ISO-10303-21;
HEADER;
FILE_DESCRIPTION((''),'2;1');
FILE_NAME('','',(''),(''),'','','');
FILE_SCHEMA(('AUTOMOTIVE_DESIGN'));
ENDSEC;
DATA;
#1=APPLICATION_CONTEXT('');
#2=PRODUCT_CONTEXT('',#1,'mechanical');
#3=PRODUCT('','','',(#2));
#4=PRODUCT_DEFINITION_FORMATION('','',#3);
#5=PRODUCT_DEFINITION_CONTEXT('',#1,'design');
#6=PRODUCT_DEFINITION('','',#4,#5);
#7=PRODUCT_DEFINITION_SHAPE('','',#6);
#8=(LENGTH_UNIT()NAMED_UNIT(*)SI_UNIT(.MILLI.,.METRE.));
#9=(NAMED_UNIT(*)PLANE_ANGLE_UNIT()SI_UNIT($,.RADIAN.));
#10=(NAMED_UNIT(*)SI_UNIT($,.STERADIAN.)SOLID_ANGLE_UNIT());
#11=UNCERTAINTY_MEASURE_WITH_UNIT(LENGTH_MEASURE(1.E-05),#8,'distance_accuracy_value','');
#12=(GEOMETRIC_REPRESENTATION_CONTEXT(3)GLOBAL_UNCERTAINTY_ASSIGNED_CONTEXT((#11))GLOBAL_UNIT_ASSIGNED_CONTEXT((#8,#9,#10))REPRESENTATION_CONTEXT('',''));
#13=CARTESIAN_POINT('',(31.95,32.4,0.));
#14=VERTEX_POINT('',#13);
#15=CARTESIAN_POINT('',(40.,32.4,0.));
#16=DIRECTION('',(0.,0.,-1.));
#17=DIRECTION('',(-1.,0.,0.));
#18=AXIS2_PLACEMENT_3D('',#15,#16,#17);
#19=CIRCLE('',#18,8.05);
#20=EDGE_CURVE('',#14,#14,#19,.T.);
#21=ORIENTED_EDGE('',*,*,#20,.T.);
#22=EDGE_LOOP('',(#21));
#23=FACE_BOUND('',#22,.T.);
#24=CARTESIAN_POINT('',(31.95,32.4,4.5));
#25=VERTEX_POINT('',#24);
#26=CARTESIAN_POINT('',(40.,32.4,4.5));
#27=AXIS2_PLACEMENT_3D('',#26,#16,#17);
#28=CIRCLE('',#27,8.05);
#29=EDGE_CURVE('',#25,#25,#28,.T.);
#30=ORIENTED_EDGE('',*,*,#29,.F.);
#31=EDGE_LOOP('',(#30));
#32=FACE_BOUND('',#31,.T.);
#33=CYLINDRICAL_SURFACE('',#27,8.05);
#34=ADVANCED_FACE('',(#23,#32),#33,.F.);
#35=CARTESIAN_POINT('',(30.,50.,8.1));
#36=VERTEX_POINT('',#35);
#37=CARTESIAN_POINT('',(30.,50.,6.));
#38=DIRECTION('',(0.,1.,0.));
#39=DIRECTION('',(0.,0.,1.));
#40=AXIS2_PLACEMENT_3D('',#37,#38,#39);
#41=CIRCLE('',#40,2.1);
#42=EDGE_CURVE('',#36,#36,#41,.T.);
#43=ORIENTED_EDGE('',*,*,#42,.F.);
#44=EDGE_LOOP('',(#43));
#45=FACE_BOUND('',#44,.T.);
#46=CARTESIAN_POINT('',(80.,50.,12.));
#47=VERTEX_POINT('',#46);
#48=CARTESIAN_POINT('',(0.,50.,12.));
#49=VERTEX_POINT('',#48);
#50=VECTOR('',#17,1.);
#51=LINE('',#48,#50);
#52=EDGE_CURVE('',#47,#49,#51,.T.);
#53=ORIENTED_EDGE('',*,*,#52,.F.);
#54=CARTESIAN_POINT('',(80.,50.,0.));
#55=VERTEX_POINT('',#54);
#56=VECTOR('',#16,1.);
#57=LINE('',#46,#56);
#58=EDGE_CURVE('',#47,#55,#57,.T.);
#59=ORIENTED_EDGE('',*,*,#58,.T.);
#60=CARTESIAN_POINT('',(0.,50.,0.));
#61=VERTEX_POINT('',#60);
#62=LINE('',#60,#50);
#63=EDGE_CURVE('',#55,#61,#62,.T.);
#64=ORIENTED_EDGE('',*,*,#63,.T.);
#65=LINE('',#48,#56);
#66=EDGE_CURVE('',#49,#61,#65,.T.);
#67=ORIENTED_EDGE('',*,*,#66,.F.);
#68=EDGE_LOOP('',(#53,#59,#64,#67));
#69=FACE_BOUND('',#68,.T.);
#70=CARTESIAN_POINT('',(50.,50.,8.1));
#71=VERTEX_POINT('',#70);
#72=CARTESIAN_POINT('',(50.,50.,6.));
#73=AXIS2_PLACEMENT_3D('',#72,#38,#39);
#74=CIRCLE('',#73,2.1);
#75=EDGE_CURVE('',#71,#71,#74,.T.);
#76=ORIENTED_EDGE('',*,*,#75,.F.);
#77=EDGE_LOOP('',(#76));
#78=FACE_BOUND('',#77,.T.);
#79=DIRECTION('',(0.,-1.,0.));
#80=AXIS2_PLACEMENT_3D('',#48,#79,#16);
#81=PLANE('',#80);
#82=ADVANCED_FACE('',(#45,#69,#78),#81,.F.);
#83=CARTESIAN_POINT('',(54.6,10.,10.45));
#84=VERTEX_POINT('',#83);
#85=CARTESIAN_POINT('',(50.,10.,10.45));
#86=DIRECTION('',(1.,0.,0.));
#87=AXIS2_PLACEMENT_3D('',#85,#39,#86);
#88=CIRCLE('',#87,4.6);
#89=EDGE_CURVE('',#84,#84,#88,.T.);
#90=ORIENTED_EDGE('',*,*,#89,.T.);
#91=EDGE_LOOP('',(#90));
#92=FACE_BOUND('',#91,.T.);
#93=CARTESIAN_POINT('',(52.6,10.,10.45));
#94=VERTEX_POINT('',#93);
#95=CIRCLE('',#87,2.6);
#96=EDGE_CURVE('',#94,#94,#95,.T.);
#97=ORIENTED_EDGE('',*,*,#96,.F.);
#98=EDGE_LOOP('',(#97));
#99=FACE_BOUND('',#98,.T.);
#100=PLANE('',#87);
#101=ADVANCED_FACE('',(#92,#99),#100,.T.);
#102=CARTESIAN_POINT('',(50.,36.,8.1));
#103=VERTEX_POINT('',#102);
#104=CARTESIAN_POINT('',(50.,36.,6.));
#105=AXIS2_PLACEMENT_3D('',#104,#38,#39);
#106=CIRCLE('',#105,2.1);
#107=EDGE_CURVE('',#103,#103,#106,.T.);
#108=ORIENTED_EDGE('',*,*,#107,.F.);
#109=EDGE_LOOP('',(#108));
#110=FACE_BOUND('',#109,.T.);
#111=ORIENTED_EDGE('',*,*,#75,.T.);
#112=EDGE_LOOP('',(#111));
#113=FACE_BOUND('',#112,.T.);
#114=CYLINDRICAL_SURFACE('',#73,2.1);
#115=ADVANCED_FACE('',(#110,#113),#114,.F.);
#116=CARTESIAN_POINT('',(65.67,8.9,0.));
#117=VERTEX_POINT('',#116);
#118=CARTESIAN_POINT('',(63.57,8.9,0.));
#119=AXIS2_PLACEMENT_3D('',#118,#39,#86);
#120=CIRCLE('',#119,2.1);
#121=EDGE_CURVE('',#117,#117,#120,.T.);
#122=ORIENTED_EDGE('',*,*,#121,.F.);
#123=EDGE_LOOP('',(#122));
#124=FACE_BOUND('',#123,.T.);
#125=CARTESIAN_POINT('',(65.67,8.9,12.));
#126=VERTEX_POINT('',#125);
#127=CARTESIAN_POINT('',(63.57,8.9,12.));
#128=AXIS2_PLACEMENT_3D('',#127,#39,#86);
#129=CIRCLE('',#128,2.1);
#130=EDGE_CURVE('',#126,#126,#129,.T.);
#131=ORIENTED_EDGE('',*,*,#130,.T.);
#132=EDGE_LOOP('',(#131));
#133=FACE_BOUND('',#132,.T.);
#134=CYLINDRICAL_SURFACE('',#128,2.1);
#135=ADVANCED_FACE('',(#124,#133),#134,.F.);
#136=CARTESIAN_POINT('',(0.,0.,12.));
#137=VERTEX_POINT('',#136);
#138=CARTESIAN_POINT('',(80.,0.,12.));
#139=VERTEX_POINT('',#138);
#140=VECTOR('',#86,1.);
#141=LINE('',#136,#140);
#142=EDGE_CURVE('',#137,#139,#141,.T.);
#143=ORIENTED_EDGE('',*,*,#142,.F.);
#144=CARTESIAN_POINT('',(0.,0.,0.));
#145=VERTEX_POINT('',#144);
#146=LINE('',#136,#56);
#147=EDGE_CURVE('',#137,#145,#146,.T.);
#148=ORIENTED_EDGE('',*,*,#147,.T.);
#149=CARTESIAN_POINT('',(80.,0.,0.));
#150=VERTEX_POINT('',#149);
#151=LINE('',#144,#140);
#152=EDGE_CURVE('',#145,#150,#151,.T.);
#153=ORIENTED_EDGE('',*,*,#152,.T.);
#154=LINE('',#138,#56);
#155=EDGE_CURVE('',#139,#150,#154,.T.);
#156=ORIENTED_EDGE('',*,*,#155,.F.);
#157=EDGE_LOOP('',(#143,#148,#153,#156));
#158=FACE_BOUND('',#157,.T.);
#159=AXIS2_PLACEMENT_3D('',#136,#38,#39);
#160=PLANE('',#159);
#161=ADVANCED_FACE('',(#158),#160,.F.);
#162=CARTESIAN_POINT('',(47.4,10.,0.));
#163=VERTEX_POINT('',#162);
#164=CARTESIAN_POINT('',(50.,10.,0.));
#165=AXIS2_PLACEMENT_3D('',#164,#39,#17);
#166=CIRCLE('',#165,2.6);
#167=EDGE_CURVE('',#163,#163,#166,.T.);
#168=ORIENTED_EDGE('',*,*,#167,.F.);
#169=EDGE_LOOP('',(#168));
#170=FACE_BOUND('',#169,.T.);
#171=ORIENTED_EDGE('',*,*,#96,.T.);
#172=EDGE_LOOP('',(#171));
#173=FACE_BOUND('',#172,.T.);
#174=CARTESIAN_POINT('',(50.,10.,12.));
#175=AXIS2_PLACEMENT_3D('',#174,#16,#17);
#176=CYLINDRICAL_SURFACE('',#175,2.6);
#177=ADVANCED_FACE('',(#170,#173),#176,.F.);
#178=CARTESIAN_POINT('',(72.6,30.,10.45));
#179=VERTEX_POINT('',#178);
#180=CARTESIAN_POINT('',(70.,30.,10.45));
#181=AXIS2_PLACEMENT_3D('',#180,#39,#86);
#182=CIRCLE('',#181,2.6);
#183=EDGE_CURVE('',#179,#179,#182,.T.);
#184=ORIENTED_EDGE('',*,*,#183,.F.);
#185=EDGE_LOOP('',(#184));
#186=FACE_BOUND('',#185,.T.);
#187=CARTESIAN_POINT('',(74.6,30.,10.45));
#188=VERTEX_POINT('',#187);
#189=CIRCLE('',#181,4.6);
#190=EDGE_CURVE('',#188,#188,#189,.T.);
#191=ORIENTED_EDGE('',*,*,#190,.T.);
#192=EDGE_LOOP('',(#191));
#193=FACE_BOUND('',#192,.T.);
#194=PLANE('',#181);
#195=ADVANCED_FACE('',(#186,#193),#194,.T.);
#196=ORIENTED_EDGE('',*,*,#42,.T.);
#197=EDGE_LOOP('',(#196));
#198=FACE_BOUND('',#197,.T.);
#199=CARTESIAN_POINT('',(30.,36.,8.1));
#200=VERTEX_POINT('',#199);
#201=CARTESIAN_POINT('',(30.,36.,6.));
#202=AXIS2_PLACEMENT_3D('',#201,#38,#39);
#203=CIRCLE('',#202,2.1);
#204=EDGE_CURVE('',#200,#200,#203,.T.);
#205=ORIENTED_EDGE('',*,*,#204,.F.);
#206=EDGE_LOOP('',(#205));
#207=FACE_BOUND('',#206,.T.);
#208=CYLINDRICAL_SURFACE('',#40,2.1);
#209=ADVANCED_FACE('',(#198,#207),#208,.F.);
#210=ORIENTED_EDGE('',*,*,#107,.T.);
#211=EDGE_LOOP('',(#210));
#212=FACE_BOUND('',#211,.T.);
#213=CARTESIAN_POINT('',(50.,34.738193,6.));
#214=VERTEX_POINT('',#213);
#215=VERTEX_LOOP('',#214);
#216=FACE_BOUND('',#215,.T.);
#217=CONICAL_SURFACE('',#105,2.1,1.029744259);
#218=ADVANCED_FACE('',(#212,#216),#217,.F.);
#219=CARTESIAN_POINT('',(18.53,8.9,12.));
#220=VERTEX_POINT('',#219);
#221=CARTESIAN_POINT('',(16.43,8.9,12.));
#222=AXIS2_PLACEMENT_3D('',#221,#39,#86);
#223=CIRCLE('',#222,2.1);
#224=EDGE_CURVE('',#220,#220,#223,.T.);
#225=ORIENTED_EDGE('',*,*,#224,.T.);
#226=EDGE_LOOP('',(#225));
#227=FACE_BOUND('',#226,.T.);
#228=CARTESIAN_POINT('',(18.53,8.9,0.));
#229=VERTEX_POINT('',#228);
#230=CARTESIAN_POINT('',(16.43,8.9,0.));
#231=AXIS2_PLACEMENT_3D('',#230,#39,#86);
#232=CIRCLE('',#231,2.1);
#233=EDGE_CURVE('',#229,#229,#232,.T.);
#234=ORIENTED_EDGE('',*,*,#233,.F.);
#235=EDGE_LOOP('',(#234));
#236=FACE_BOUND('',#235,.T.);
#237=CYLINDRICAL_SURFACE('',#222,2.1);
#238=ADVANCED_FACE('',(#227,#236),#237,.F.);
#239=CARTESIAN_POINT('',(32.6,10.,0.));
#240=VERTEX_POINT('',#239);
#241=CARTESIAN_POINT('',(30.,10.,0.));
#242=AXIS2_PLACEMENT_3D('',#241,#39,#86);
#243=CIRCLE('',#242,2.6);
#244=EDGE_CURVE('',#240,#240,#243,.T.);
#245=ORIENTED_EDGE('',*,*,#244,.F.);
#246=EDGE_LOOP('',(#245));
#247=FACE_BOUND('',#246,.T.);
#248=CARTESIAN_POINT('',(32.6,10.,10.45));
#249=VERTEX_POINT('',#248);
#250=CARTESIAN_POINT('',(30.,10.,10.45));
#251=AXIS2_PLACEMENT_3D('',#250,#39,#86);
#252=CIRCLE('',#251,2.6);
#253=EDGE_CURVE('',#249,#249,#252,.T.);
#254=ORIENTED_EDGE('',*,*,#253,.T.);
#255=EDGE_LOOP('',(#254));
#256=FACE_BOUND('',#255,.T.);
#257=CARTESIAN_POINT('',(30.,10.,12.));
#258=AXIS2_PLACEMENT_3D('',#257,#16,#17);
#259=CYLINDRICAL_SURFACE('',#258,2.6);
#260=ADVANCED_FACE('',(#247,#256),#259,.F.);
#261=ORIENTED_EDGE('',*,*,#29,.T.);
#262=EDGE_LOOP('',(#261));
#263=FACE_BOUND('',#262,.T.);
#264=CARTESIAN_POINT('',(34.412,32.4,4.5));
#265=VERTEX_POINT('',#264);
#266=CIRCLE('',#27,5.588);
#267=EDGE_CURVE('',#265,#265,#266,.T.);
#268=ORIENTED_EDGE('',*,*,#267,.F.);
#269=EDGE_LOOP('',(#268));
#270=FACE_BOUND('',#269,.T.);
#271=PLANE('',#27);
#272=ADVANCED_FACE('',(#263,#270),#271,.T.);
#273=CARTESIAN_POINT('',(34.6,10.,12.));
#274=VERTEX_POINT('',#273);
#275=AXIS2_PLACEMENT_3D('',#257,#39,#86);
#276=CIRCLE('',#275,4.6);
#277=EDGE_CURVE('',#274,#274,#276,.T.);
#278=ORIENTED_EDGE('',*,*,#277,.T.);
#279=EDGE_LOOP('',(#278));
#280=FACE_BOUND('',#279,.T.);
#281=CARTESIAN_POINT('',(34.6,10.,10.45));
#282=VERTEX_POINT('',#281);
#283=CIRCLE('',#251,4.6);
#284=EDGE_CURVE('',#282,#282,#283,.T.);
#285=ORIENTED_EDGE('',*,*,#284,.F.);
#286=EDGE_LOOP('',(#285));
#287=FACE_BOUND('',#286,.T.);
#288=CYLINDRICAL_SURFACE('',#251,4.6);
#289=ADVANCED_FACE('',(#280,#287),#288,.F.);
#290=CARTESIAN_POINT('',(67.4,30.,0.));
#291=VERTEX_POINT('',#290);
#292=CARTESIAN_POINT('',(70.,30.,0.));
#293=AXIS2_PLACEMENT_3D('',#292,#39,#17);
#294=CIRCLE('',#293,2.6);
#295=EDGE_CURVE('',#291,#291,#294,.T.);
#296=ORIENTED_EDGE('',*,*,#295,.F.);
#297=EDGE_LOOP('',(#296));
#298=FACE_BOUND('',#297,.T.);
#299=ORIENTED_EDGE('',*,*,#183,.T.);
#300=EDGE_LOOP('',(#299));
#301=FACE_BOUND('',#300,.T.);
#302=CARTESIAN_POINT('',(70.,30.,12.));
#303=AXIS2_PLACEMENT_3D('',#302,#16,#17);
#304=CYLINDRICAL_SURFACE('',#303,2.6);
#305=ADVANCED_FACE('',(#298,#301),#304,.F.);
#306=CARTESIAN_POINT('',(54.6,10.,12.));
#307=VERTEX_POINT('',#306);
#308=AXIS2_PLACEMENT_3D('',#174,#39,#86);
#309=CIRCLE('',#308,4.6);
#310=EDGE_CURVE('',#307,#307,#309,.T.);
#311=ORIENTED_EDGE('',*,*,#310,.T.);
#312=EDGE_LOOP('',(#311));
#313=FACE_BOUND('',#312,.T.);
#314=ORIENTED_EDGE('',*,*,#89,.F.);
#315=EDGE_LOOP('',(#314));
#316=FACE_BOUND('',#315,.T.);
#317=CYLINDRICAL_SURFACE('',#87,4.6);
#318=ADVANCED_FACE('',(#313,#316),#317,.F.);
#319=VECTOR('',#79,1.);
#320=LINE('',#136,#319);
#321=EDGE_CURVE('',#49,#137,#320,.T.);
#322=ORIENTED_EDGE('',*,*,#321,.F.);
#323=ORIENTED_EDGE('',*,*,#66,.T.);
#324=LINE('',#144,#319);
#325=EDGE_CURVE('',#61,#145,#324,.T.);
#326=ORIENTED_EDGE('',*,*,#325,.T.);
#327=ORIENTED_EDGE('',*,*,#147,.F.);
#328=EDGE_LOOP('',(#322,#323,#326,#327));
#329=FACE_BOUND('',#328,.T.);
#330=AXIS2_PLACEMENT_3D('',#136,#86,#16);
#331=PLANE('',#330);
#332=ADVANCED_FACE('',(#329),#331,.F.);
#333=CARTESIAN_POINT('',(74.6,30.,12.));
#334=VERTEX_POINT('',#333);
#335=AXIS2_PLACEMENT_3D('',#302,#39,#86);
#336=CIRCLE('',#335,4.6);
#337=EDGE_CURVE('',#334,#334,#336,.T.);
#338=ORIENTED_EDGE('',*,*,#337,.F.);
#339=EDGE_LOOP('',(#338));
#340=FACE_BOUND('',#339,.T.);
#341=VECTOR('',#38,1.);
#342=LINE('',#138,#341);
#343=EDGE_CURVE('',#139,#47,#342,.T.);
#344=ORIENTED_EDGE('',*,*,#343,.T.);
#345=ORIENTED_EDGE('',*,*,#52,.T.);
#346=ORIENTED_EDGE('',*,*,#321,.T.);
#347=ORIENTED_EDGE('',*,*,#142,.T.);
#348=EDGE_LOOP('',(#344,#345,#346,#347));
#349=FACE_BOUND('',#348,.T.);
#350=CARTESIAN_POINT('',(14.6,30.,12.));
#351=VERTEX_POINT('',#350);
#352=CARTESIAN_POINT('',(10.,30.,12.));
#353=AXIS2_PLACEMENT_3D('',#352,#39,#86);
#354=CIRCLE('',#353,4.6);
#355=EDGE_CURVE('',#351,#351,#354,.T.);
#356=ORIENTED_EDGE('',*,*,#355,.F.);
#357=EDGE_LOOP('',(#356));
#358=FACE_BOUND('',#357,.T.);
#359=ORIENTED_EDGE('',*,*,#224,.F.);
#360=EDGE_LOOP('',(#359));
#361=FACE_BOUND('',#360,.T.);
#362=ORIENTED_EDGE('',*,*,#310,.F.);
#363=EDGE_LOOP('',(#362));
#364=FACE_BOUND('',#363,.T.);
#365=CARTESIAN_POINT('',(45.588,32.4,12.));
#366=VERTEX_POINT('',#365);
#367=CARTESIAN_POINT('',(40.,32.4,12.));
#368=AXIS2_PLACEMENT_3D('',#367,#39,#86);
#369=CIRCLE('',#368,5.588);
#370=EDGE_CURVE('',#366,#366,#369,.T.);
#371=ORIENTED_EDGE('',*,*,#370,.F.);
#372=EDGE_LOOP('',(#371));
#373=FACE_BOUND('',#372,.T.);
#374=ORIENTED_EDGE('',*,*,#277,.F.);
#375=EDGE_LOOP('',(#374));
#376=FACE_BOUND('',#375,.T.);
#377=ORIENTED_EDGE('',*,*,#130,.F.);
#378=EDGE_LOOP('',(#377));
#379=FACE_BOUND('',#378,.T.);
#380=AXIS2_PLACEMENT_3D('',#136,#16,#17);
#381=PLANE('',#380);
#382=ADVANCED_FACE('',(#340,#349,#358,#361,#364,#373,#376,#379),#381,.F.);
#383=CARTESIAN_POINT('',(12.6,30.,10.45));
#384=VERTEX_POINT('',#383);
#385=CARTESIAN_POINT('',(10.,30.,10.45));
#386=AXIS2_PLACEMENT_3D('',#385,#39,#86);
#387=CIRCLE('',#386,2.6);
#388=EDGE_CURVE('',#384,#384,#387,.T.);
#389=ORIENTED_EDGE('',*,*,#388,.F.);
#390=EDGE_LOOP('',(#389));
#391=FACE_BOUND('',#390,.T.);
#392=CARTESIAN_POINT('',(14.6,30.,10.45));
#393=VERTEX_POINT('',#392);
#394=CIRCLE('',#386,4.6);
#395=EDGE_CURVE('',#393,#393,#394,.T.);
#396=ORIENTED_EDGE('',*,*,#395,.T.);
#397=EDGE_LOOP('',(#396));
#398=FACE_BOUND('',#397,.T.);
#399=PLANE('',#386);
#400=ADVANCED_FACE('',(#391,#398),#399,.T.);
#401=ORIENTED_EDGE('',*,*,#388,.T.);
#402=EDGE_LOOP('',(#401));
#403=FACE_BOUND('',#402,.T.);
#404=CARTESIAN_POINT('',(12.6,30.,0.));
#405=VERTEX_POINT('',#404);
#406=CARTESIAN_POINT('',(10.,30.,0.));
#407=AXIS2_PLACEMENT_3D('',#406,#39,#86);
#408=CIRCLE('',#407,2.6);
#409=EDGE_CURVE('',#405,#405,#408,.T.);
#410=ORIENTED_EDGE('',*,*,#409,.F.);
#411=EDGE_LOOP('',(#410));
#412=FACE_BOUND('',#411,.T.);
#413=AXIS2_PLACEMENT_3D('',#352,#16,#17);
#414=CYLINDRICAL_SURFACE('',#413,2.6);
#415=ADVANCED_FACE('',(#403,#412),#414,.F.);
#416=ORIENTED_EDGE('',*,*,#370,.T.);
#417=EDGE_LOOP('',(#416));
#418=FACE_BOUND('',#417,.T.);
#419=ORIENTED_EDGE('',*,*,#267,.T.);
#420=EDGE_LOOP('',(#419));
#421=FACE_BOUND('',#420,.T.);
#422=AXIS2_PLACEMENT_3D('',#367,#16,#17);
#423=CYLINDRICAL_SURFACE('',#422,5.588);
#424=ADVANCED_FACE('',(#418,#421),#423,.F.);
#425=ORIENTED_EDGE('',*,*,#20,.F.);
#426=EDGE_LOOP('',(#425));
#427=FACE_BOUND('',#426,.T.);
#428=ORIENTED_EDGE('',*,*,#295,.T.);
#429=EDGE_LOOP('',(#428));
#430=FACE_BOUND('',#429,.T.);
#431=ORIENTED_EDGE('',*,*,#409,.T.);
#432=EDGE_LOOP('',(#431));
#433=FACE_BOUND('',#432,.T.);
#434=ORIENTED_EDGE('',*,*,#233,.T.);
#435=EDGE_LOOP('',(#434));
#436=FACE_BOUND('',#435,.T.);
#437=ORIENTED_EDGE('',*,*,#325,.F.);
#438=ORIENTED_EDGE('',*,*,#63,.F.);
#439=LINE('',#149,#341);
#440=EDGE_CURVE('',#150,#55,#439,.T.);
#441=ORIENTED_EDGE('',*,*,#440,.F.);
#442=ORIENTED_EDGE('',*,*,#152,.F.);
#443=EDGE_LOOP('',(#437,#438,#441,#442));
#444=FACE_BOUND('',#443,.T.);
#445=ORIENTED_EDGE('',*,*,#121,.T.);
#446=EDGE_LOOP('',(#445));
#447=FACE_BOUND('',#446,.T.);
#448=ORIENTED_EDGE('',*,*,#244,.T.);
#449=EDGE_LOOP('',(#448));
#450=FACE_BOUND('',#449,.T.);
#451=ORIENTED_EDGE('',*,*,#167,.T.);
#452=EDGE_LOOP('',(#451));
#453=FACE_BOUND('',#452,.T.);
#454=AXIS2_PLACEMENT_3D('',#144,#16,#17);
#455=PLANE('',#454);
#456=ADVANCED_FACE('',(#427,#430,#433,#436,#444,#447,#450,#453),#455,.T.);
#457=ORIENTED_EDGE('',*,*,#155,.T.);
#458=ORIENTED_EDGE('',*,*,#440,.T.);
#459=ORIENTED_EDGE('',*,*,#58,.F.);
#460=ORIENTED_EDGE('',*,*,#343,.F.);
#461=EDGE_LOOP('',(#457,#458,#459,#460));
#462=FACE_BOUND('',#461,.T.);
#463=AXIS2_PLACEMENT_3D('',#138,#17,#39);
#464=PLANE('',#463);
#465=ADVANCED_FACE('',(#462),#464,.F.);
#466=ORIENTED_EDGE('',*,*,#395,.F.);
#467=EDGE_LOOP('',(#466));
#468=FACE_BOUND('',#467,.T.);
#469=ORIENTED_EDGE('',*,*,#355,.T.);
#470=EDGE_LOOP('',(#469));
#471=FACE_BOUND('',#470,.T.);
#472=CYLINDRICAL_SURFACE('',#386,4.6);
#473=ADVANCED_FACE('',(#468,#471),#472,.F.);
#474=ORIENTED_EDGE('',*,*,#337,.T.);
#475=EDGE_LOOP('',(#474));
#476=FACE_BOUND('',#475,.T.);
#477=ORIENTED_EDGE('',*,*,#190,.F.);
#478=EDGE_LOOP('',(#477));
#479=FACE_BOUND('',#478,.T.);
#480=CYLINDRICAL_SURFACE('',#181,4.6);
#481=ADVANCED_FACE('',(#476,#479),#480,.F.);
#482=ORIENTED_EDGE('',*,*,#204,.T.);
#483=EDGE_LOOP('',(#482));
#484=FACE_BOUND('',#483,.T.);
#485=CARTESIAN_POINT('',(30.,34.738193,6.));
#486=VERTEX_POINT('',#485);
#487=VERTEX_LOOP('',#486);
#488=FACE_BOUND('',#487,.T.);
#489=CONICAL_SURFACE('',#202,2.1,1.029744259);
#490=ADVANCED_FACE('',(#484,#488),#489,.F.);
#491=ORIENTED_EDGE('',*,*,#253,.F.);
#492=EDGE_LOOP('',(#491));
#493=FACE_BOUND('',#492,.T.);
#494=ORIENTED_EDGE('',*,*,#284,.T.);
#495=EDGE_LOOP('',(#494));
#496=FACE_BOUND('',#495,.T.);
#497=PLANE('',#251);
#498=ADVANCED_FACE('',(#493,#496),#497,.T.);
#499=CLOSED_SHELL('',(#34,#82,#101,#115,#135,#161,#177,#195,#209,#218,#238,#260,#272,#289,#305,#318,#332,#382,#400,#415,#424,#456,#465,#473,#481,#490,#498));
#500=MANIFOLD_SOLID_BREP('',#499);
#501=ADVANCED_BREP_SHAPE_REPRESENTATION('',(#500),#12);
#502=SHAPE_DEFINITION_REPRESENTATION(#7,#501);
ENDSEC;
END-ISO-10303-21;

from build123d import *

# Parameters (mm, degrees)
SKETCH1_W                 = 80
SKETCH1_H                 = 50
SKETCH1_R                 = 5.588
SKETCH1_R_2               = 2.6
BOSS_EXTRUDE1_DEPTH       = 12
SKETCH2_R                 = 4.6
CUT_EXTRUDE1_DEPTH        = 1.55
M5X0_8_TAPPED_HOLE1_D     = 4.2
M5X0_8_TAPPED_HOLE2_D     = 4.2
M5X0_8_TAPPED_HOLE2_DEPTH = 14
M5X0_8_TAPPED_HOLE2_TIP   = 1.2618073
SKETCH7_R                 = 8.05
CUT_EXTRUDE2_DEPTH        = 4.5


with BuildPart() as part:
    # Sketch1 → Boss-Extrude1 (new body)
    with BuildSketch(Plane.XY):
        with Locations((40, 25)):
            Rectangle(SKETCH1_W, SKETCH1_H)
        with Locations((40, 32.4)):
            Circle(SKETCH1_R, mode=Mode.SUBTRACT)
        with Locations((30, 10)):
            Circle(SKETCH1_R_2, mode=Mode.SUBTRACT)
        with Locations((10, 30)):
            Circle(SKETCH1_R_2, mode=Mode.SUBTRACT)
        with Locations((50, 10)):
            Circle(SKETCH1_R_2, mode=Mode.SUBTRACT)
        with Locations((70, 30)):
            Circle(SKETCH1_R_2, mode=Mode.SUBTRACT)
    extrude(amount=BOSS_EXTRUDE1_DEPTH)

    # Sketch2 → Cut-Extrude1 (cut)
    with BuildSketch(Plane.XY.offset(12)):
        with Locations((10, 30)):
            Circle(SKETCH2_R)
        with Locations((30, 10)):
            Circle(SKETCH2_R)
        with Locations((50, 10)):
            Circle(SKETCH2_R)
        with Locations((70, 30)):
            Circle(SKETCH2_R)
    extrude(amount=-CUT_EXTRUDE1_DEPTH, mode=Mode.SUBTRACT)

    # M5x0.8 Tapped Hole1 (through all)
    with Locations(Plane.XY.offset(12)):
        with Locations((16.43, 8.9), (63.57, 8.9)):
            Hole(M5X0_8_TAPPED_HOLE1_D / 2)

    # M5x0.8 Tapped Hole2
    with Locations(Plane(origin=(0, 50, 0), x_dir=(1, 0, 0), z_dir=(0, 1, 0))):
        with Locations((30, -6), (50, -6)):
            Hole(M5X0_8_TAPPED_HOLE2_D / 2, depth=M5X0_8_TAPPED_HOLE2_DEPTH)
            with Locations((0, 0, -(M5X0_8_TAPPED_HOLE2_DEPTH + M5X0_8_TAPPED_HOLE2_TIP / 2))):  # 118° drill point
                Cone(0, M5X0_8_TAPPED_HOLE2_D / 2, M5X0_8_TAPPED_HOLE2_TIP, mode=Mode.SUBTRACT)

    # Sketch7 → Cut-Extrude2 (cut)
    with BuildSketch(Plane(origin=(0, 0, 0), x_dir=(-1, 0, 0), z_dir=(0, 0, -1))):
        with Locations((-40, 32.4)):
            Circle(SKETCH7_R)
    extrude(amount=-CUT_EXTRUDE2_DEPTH, mode=Mode.SUBTRACT)


solid = part.part
